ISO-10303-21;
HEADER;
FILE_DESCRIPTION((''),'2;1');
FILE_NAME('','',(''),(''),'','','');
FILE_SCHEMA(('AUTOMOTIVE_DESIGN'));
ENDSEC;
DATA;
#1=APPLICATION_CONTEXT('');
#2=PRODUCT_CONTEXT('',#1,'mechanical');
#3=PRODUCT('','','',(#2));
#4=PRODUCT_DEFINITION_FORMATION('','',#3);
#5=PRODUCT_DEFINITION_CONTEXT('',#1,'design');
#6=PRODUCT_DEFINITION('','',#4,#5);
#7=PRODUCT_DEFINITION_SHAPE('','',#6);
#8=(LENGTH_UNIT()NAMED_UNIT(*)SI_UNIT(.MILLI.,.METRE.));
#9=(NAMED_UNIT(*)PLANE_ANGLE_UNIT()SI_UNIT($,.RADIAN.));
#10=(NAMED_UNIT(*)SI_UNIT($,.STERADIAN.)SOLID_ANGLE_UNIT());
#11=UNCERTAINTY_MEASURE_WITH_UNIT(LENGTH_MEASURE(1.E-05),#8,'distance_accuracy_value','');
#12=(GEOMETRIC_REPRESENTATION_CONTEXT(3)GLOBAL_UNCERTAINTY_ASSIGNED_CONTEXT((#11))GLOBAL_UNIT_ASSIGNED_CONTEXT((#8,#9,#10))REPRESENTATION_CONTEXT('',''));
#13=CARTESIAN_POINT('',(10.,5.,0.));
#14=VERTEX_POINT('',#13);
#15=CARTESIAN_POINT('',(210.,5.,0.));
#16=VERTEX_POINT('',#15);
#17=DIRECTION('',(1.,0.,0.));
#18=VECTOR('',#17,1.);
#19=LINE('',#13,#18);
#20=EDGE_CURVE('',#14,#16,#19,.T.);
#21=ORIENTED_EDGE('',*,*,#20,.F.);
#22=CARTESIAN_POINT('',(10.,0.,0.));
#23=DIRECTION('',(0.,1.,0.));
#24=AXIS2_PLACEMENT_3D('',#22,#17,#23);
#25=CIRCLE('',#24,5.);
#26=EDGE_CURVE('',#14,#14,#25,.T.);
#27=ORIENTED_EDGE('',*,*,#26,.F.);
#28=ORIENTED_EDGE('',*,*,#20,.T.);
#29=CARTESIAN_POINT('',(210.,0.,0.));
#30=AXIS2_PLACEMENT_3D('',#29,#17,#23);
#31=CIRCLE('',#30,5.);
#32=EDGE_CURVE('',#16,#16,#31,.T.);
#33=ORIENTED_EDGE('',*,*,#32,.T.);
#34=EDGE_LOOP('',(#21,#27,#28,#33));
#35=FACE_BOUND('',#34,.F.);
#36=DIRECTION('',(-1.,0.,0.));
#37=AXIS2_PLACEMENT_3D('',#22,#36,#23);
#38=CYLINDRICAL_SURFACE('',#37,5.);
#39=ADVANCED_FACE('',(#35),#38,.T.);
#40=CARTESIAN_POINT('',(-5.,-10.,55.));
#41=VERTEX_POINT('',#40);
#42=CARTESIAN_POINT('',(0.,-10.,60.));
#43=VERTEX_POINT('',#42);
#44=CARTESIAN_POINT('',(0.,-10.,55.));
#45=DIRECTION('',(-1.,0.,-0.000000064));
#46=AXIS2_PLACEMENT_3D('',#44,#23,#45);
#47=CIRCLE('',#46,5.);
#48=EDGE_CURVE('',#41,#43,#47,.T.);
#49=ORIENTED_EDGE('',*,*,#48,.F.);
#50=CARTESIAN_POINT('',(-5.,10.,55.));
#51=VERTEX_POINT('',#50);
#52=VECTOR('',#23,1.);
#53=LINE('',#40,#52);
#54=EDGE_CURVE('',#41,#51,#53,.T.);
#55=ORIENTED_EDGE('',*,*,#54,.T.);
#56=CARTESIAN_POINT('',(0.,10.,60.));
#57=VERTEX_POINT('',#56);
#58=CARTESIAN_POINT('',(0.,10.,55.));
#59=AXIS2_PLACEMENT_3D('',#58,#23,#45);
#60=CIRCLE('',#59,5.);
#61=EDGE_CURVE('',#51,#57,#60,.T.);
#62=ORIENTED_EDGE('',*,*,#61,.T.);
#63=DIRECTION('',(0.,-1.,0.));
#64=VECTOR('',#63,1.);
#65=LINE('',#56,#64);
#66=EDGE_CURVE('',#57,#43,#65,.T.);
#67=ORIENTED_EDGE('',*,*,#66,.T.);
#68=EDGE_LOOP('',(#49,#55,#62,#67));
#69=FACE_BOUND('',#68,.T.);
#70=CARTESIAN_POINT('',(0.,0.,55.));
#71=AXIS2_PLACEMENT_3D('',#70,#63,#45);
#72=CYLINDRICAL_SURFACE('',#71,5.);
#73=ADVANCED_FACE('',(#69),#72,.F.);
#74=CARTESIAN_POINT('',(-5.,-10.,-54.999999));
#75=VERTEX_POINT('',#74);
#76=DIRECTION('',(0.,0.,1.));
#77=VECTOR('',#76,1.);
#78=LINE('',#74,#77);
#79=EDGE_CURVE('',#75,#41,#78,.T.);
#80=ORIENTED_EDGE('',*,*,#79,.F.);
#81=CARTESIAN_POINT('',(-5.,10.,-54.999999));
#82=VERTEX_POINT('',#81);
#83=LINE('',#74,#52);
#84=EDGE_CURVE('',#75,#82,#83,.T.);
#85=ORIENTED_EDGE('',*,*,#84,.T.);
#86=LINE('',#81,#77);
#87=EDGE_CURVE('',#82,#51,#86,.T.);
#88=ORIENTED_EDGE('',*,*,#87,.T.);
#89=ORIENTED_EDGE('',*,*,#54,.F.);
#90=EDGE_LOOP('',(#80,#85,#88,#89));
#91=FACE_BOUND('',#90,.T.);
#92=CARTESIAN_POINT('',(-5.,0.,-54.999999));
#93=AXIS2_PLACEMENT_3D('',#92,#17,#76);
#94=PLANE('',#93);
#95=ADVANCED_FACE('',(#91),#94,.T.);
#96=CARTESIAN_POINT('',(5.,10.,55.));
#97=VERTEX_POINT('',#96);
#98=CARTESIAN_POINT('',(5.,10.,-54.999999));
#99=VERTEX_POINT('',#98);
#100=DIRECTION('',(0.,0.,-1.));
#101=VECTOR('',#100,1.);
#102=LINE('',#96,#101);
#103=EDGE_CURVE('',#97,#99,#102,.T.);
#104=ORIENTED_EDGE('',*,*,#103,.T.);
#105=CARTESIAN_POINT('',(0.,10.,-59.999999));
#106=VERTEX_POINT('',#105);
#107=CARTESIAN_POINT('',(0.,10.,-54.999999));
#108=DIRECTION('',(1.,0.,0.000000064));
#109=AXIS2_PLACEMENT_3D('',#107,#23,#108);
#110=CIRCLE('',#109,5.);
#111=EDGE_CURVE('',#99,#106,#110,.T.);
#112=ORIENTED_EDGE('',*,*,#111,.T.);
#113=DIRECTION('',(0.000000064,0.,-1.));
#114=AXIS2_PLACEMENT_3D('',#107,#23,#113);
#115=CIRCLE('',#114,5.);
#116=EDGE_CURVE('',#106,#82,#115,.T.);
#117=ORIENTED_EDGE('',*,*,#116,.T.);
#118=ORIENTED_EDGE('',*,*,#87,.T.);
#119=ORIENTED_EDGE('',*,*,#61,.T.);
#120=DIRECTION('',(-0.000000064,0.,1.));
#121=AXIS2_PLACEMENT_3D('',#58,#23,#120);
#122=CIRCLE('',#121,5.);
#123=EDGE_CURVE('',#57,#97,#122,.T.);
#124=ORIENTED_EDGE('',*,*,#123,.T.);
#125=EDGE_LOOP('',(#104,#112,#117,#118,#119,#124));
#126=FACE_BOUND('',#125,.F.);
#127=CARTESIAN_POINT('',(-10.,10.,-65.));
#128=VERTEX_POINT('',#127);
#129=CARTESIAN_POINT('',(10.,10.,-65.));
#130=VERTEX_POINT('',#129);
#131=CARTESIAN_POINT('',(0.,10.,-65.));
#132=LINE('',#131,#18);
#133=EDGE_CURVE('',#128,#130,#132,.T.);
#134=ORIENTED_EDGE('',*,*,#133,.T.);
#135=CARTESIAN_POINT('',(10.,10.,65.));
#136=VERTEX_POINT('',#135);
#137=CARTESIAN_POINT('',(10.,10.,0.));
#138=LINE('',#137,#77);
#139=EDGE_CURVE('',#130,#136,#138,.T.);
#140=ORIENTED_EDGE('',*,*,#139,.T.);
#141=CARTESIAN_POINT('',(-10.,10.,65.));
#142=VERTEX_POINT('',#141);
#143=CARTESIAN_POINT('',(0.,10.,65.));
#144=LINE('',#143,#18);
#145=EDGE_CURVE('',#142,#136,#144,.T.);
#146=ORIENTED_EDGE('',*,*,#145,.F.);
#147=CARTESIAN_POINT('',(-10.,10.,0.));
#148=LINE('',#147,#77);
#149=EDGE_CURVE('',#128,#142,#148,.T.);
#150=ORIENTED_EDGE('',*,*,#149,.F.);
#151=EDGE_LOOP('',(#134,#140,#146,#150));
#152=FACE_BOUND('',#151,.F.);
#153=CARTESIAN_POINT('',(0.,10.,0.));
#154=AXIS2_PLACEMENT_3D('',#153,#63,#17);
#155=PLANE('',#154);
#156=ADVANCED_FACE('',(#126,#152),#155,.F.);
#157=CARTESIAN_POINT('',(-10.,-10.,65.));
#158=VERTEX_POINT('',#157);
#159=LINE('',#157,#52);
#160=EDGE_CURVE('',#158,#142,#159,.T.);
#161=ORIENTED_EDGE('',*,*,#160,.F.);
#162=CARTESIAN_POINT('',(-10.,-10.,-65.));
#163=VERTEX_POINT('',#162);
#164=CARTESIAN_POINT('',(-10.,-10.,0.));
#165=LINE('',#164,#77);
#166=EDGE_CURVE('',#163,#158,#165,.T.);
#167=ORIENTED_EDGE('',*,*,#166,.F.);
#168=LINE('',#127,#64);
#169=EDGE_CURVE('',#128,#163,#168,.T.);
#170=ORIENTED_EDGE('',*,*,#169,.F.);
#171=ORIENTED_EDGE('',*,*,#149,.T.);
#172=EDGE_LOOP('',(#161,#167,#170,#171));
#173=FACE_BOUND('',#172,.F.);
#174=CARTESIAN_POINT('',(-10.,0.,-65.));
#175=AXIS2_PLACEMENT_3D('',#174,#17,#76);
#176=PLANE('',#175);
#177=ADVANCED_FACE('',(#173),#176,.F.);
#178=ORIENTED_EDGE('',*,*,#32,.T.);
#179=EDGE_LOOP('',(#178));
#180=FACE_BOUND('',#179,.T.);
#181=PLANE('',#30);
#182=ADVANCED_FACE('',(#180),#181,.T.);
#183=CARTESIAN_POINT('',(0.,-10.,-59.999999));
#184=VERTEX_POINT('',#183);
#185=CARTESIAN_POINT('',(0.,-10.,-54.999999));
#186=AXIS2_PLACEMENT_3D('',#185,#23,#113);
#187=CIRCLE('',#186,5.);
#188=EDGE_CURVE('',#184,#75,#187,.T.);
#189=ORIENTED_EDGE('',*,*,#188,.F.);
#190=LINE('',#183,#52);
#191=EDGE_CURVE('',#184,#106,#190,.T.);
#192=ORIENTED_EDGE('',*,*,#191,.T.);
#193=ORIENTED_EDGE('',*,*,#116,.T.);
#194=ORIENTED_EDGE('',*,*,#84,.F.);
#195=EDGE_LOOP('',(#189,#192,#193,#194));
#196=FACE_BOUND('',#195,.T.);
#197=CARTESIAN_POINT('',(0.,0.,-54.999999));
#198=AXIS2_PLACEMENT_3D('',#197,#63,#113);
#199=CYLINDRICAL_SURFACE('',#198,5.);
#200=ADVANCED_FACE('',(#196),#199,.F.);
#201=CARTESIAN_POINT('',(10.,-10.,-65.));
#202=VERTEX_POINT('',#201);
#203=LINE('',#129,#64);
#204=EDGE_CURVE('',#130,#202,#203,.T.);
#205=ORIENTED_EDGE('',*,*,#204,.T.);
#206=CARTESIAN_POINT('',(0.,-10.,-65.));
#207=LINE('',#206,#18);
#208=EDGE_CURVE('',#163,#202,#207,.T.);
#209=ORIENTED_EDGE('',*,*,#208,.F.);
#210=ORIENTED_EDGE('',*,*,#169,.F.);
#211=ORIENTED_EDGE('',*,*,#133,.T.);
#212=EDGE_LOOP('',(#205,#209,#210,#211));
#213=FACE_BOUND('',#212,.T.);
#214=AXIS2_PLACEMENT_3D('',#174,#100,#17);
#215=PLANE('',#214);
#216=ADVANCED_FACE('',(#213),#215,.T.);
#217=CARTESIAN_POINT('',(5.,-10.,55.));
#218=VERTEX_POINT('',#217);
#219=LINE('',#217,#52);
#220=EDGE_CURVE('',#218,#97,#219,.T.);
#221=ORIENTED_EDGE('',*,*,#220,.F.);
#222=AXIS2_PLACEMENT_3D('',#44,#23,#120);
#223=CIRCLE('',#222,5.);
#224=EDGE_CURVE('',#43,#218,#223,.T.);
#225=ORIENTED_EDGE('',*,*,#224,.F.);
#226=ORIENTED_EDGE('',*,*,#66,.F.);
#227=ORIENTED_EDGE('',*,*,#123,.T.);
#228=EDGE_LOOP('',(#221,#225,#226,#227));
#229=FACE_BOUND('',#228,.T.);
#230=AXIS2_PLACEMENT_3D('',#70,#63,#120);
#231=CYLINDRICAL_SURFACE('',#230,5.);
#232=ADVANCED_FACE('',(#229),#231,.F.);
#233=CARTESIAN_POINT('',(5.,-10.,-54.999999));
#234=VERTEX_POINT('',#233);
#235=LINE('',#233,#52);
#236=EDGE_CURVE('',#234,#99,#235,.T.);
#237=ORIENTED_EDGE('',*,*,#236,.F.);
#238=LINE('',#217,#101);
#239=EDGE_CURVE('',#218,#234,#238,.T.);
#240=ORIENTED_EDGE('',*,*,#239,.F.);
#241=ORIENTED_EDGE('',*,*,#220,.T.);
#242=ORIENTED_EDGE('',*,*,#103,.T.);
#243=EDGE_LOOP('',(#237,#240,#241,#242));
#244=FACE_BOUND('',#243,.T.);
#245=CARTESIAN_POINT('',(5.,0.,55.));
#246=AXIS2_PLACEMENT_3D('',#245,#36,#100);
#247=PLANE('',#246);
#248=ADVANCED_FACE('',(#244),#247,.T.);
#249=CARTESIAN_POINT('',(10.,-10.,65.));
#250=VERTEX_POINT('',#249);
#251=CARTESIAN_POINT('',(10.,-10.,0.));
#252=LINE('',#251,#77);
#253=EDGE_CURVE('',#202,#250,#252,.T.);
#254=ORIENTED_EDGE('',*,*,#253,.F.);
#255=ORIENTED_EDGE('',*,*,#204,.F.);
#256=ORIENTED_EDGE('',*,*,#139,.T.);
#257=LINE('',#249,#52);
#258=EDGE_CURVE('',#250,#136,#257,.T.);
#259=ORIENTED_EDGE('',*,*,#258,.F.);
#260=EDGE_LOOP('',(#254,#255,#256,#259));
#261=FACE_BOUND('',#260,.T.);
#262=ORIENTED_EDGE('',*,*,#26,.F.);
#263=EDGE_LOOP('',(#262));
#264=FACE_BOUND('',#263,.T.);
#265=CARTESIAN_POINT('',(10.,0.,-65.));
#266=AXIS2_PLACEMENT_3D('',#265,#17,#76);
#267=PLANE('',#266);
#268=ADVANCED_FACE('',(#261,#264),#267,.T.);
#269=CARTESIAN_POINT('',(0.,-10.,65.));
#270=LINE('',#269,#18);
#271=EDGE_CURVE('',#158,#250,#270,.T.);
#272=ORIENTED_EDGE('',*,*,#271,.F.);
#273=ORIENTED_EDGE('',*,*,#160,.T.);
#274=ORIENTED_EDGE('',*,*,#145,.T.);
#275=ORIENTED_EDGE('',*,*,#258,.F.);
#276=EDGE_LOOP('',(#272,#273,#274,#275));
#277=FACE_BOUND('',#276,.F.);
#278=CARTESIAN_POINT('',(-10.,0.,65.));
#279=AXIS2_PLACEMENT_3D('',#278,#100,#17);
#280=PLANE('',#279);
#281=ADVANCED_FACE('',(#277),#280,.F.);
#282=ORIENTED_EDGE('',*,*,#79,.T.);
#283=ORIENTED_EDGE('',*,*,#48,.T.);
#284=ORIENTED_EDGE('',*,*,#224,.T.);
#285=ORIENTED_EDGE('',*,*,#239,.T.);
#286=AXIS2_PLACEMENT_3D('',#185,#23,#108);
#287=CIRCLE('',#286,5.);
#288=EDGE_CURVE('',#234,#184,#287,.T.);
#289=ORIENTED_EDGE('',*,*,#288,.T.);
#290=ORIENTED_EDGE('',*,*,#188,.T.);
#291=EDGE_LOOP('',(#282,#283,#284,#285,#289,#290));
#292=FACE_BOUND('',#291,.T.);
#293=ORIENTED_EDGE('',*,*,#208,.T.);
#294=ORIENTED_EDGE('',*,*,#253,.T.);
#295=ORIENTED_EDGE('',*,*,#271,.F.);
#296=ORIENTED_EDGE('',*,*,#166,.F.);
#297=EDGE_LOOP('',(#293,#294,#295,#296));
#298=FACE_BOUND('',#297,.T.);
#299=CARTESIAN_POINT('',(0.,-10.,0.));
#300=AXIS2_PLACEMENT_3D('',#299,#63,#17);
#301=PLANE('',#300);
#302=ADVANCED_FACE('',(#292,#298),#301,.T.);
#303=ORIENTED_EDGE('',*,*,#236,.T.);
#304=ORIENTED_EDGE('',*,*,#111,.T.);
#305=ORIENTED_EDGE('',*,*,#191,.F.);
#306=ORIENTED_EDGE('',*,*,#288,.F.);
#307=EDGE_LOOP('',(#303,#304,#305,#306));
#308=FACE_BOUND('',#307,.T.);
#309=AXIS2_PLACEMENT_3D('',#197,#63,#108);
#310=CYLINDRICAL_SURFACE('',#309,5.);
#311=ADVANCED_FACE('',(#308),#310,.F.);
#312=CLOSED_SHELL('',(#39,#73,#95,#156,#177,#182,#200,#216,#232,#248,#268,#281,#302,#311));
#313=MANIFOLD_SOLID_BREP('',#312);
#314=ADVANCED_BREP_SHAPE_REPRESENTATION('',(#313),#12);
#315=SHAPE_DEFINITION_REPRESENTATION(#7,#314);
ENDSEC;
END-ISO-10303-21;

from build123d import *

# Parameters (mm, degrees)
F0_W          = 20
F0_H          = 130
F1_DEPTH      = 10
F1_DEPTH_BACK = 10
F2_R          = 5
F3_DEPTH      = 200


with BuildPart() as f1:
    # F0 (on Front) → F1 (new body, two sides)
    with BuildSketch(Plane.XZ) as f1_sk:
        Rectangle(F0_W, F0_H)
        with BuildLine():
            ThreePointArc((0, 60), (3.535534, 58.535534), (5, 55))
            Line((5, 55), (5, -54.999999))
            ThreePointArc((5, -54.999999), (3.535534, -58.535533), (0, -59.999999))
            ThreePointArc((0, -59.999999), (-3.535534, -58.535533), (-5, -54.999999))
            Line((-5, -54.999999), (-5, 55))
            ThreePointArc((-5, 55), (-3.535534, 58.535534), (0, 60))
        make_face(mode=Mode.SUBTRACT)
    extrude(amount=F1_DEPTH)
    extrude(f1_sk.sketch, amount=-F1_DEPTH_BACK)

    # F2 (on face) → F3 (join)
    with BuildSketch(Plane.YZ.offset(10)):
        Circle(F2_R)
    extrude(amount=F3_DEPTH)


solid = f1.part
